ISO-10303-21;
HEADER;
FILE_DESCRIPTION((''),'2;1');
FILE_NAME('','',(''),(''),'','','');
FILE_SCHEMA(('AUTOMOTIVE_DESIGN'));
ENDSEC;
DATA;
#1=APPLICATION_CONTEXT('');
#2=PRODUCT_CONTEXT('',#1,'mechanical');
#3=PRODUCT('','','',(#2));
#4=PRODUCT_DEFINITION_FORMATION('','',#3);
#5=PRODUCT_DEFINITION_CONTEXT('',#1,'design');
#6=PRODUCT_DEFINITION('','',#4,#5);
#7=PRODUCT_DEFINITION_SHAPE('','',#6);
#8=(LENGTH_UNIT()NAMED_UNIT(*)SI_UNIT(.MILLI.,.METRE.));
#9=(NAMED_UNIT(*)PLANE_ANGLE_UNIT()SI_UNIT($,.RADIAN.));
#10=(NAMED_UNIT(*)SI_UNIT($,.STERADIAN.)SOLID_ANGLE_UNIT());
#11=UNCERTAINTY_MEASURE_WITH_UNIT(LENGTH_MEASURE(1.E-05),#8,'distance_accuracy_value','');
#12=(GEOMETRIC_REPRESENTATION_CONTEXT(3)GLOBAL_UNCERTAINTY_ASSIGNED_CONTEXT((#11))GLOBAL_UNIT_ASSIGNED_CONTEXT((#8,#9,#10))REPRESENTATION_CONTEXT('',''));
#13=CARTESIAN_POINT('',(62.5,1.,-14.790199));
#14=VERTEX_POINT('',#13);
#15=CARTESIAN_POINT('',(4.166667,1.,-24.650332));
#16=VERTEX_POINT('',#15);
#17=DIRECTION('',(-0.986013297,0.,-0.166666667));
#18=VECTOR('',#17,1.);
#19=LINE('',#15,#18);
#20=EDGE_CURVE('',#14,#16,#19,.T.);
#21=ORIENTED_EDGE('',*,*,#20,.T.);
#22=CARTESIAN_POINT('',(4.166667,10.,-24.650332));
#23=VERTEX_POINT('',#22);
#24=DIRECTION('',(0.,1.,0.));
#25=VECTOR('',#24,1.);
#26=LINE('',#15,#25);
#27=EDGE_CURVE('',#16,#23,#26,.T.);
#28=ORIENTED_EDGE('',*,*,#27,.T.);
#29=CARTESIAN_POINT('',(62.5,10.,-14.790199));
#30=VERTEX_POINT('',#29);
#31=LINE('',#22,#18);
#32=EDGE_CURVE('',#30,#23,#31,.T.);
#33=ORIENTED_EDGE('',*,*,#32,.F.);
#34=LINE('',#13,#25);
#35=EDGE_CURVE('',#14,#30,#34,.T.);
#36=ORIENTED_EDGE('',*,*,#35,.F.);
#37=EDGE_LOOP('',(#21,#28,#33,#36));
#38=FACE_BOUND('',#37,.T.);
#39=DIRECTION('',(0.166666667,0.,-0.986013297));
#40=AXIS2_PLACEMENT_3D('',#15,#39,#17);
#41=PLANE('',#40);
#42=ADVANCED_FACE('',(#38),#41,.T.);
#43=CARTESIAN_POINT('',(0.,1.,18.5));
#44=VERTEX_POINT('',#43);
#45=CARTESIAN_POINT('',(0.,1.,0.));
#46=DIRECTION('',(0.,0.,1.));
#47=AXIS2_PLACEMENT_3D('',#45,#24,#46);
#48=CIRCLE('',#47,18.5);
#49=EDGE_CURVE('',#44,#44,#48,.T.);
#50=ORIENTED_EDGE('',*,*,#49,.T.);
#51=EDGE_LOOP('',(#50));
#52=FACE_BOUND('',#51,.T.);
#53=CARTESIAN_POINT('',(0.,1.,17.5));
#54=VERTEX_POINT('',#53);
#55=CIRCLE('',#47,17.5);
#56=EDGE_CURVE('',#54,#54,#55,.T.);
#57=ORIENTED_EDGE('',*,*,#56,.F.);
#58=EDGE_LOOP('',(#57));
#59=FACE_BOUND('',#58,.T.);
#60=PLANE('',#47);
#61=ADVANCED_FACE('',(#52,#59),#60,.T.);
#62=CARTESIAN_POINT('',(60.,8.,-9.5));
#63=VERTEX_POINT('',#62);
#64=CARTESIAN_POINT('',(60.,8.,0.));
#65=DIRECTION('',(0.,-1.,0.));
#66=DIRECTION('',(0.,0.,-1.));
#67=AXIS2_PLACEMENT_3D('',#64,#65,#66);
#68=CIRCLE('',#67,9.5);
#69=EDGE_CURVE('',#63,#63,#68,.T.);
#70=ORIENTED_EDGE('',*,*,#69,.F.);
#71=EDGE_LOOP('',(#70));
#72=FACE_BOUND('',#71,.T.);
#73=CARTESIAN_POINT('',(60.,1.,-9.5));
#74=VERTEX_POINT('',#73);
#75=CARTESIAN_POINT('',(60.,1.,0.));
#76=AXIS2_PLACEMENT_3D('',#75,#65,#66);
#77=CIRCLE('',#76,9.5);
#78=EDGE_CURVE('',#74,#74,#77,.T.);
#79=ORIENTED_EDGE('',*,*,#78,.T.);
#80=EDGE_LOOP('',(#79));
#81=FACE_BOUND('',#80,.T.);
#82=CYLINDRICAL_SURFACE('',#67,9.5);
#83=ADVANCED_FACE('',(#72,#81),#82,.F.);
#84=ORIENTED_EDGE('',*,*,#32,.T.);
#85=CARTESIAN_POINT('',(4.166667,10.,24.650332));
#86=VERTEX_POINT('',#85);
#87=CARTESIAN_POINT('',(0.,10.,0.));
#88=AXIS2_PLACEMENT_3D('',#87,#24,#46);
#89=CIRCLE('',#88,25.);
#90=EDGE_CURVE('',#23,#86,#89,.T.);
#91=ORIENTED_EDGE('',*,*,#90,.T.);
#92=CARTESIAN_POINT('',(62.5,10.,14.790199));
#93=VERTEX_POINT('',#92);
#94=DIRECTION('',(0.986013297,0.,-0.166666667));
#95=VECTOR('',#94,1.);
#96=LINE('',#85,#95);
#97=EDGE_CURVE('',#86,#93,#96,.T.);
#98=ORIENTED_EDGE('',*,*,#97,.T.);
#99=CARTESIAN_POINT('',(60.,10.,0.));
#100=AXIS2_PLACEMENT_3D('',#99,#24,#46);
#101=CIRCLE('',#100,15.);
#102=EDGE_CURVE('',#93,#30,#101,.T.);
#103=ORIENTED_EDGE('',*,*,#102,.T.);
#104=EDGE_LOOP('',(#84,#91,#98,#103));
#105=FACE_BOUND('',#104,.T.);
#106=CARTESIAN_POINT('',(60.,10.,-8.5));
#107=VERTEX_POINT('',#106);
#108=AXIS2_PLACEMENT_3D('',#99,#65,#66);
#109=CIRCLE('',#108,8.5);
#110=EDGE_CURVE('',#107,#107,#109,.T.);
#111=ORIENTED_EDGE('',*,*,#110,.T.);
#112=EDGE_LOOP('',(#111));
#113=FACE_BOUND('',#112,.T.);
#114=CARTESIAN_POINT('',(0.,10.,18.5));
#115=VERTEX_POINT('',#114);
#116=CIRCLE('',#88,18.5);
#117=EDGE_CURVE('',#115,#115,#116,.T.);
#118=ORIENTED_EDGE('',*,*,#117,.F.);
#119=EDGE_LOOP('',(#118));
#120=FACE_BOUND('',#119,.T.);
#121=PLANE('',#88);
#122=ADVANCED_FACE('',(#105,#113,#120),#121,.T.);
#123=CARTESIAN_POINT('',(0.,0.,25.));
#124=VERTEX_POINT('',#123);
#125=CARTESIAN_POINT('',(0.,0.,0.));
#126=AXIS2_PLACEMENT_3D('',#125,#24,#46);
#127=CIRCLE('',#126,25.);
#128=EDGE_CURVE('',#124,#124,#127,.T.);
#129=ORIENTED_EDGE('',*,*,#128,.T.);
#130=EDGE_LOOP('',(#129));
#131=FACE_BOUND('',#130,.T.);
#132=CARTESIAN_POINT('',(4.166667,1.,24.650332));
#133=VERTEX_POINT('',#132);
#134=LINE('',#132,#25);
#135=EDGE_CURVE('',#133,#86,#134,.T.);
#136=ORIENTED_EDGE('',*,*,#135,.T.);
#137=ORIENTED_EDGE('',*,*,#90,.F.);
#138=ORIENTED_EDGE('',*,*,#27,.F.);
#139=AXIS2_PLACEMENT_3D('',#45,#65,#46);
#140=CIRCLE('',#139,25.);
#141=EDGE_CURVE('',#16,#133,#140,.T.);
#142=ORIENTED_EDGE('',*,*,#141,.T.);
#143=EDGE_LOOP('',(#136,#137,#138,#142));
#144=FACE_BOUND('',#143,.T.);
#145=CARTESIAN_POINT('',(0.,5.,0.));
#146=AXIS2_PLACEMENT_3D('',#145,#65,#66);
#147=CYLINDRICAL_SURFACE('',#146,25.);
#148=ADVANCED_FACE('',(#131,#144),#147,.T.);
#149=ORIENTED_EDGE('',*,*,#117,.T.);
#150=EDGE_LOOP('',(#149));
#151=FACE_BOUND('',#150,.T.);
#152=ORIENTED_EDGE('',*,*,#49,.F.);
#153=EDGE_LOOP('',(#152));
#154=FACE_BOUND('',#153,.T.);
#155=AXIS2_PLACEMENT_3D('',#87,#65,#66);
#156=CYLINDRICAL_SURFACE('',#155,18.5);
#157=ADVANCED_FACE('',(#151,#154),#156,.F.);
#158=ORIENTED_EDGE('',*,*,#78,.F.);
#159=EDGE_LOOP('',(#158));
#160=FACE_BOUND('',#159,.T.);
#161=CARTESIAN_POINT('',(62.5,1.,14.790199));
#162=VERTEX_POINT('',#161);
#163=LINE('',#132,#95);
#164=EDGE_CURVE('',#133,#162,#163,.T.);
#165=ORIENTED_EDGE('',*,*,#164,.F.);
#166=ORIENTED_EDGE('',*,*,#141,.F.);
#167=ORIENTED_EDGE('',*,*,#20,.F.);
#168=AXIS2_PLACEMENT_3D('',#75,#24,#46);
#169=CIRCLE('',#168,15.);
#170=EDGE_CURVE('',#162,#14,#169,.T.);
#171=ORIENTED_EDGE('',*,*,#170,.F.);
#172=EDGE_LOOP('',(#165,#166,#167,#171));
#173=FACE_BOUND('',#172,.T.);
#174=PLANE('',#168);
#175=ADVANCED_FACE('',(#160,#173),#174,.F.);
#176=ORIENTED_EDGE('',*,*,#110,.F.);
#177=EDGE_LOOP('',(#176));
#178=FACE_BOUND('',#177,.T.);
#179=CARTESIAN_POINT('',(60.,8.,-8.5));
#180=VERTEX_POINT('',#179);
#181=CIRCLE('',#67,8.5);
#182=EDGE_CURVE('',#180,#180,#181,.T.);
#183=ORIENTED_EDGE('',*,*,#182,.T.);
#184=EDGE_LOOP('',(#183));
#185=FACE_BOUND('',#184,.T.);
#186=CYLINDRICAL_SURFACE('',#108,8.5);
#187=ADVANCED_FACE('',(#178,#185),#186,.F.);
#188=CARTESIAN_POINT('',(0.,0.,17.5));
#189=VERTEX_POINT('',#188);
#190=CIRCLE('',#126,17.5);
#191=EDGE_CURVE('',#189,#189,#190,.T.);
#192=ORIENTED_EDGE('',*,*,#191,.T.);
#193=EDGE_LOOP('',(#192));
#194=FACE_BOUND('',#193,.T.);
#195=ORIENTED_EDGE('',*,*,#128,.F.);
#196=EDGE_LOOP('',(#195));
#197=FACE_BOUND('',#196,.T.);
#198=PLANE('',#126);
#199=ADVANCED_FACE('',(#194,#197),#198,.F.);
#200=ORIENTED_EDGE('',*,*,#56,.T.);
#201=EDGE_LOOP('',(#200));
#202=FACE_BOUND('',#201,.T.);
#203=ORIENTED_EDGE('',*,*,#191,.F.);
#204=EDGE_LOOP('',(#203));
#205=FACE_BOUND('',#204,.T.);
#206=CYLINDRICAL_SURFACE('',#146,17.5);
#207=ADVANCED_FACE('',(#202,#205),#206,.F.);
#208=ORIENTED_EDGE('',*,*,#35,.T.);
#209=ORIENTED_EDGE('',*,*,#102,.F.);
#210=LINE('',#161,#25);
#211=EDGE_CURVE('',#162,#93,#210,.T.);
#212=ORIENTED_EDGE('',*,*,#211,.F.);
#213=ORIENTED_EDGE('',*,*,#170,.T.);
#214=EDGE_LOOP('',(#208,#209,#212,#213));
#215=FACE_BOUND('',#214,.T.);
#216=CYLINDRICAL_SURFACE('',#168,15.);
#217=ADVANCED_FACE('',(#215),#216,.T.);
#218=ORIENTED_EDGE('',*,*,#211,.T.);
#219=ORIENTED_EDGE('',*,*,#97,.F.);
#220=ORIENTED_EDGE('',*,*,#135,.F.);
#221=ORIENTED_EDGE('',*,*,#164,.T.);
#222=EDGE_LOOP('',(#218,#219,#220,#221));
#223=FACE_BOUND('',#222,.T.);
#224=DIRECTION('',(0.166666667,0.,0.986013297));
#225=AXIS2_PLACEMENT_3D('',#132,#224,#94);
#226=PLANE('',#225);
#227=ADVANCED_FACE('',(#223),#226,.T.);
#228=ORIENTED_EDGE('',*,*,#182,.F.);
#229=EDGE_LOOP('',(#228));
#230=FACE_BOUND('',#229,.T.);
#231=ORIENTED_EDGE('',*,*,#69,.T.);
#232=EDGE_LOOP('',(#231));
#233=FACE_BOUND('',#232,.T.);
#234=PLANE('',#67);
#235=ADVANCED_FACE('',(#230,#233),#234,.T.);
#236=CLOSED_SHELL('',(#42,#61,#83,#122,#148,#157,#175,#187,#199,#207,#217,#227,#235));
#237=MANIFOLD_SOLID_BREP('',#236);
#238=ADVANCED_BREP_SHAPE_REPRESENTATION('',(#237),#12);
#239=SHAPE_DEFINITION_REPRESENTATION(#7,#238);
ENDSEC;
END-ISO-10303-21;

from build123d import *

# Parameters (mm, degrees)
SKETCH_1_R           = 25
SKETCH_1_R_2         = 17.5
EXTRUDE_1_DEPTH      = 5
SKETCH_2_R           = 25
SKETCH_2_R_2         = 18.5
EXTRUDE_2_DEPTH      = 5
EXTRUDE_3_DEPTH      = 9
SKETCH_7_R           = 18.5
CUT_EXTRUDE_4_DEPTH  = 4
SKETCH_13_R          = 9.5
CUT_EXTRUDE_9_DEPTH  = 7
SKETCH_14_R          = 8.5
CUT_EXTRUDE_10_DEPTH = 3


with BuildPart() as part:
    # 스케치1 → 보스-돌출1 (new body)
    with BuildSketch(Plane(origin=(0, 0, 0), x_dir=(1, 0, 0), z_dir=(0, 1, 0))):
        Circle(SKETCH_1_R)
        Circle(SKETCH_1_R_2, mode=Mode.SUBTRACT)
    extrude(amount=EXTRUDE_1_DEPTH)

    # 스케치2 → 보스-돌출2 (add)
    with BuildSketch(Plane(origin=(0, 5, 0), x_dir=(1, 0, 0), z_dir=(0, 1, 0))):
        Circle(SKETCH_2_R)
        Circle(SKETCH_2_R_2, mode=Mode.SUBTRACT)
    extrude(amount=EXTRUDE_2_DEPTH)

    # 스케치3 → 보스-돌출3 (add)
    with BuildSketch(Plane(origin=(0, 10, 0), x_dir=(1, 0, 0), z_dir=(0, 1, 0))):
        with BuildLine():
            Line((4.166666667, 24.65033243), (62.5, 14.790199458))
            ThreePointArc((62.5, 14.790199458), (75, 0), (62.5, -14.790199458))
            Line((62.5, -14.790199458), (4.166666667, -24.65033243))
            ThreePointArc((4.166666667, -24.65033243), (25, 0), (4.166666667, 24.65033243))
        make_face()
    extrude(amount=-EXTRUDE_3_DEPTH)

    # 스케치7 → 컷-돌출4 (cut)
    with BuildSketch(Plane(origin=(0, 5, 0), x_dir=(1, 0, 0), z_dir=(0, 1, 0))):
        Circle(SKETCH_7_R)
    extrude(amount=-CUT_EXTRUDE_4_DEPTH, mode=Mode.SUBTRACT)

    # 스케치13 → 컷-돌출9 (cut)
    with BuildSketch(Plane.XZ.offset(-1)):
        with Locations((60, 0)):
            Circle(SKETCH_13_R)
    extrude(amount=-CUT_EXTRUDE_9_DEPTH, mode=Mode.SUBTRACT)

    # 스케치14 → 컷-돌출10 (cut, through all)
    with BuildSketch(Plane.XZ.offset(-8)):
        with Locations((60, 0)):
            Circle(SKETCH_14_R)
    extrude(amount=-CUT_EXTRUDE_10_DEPTH, mode=Mode.SUBTRACT)


solid = part.part
